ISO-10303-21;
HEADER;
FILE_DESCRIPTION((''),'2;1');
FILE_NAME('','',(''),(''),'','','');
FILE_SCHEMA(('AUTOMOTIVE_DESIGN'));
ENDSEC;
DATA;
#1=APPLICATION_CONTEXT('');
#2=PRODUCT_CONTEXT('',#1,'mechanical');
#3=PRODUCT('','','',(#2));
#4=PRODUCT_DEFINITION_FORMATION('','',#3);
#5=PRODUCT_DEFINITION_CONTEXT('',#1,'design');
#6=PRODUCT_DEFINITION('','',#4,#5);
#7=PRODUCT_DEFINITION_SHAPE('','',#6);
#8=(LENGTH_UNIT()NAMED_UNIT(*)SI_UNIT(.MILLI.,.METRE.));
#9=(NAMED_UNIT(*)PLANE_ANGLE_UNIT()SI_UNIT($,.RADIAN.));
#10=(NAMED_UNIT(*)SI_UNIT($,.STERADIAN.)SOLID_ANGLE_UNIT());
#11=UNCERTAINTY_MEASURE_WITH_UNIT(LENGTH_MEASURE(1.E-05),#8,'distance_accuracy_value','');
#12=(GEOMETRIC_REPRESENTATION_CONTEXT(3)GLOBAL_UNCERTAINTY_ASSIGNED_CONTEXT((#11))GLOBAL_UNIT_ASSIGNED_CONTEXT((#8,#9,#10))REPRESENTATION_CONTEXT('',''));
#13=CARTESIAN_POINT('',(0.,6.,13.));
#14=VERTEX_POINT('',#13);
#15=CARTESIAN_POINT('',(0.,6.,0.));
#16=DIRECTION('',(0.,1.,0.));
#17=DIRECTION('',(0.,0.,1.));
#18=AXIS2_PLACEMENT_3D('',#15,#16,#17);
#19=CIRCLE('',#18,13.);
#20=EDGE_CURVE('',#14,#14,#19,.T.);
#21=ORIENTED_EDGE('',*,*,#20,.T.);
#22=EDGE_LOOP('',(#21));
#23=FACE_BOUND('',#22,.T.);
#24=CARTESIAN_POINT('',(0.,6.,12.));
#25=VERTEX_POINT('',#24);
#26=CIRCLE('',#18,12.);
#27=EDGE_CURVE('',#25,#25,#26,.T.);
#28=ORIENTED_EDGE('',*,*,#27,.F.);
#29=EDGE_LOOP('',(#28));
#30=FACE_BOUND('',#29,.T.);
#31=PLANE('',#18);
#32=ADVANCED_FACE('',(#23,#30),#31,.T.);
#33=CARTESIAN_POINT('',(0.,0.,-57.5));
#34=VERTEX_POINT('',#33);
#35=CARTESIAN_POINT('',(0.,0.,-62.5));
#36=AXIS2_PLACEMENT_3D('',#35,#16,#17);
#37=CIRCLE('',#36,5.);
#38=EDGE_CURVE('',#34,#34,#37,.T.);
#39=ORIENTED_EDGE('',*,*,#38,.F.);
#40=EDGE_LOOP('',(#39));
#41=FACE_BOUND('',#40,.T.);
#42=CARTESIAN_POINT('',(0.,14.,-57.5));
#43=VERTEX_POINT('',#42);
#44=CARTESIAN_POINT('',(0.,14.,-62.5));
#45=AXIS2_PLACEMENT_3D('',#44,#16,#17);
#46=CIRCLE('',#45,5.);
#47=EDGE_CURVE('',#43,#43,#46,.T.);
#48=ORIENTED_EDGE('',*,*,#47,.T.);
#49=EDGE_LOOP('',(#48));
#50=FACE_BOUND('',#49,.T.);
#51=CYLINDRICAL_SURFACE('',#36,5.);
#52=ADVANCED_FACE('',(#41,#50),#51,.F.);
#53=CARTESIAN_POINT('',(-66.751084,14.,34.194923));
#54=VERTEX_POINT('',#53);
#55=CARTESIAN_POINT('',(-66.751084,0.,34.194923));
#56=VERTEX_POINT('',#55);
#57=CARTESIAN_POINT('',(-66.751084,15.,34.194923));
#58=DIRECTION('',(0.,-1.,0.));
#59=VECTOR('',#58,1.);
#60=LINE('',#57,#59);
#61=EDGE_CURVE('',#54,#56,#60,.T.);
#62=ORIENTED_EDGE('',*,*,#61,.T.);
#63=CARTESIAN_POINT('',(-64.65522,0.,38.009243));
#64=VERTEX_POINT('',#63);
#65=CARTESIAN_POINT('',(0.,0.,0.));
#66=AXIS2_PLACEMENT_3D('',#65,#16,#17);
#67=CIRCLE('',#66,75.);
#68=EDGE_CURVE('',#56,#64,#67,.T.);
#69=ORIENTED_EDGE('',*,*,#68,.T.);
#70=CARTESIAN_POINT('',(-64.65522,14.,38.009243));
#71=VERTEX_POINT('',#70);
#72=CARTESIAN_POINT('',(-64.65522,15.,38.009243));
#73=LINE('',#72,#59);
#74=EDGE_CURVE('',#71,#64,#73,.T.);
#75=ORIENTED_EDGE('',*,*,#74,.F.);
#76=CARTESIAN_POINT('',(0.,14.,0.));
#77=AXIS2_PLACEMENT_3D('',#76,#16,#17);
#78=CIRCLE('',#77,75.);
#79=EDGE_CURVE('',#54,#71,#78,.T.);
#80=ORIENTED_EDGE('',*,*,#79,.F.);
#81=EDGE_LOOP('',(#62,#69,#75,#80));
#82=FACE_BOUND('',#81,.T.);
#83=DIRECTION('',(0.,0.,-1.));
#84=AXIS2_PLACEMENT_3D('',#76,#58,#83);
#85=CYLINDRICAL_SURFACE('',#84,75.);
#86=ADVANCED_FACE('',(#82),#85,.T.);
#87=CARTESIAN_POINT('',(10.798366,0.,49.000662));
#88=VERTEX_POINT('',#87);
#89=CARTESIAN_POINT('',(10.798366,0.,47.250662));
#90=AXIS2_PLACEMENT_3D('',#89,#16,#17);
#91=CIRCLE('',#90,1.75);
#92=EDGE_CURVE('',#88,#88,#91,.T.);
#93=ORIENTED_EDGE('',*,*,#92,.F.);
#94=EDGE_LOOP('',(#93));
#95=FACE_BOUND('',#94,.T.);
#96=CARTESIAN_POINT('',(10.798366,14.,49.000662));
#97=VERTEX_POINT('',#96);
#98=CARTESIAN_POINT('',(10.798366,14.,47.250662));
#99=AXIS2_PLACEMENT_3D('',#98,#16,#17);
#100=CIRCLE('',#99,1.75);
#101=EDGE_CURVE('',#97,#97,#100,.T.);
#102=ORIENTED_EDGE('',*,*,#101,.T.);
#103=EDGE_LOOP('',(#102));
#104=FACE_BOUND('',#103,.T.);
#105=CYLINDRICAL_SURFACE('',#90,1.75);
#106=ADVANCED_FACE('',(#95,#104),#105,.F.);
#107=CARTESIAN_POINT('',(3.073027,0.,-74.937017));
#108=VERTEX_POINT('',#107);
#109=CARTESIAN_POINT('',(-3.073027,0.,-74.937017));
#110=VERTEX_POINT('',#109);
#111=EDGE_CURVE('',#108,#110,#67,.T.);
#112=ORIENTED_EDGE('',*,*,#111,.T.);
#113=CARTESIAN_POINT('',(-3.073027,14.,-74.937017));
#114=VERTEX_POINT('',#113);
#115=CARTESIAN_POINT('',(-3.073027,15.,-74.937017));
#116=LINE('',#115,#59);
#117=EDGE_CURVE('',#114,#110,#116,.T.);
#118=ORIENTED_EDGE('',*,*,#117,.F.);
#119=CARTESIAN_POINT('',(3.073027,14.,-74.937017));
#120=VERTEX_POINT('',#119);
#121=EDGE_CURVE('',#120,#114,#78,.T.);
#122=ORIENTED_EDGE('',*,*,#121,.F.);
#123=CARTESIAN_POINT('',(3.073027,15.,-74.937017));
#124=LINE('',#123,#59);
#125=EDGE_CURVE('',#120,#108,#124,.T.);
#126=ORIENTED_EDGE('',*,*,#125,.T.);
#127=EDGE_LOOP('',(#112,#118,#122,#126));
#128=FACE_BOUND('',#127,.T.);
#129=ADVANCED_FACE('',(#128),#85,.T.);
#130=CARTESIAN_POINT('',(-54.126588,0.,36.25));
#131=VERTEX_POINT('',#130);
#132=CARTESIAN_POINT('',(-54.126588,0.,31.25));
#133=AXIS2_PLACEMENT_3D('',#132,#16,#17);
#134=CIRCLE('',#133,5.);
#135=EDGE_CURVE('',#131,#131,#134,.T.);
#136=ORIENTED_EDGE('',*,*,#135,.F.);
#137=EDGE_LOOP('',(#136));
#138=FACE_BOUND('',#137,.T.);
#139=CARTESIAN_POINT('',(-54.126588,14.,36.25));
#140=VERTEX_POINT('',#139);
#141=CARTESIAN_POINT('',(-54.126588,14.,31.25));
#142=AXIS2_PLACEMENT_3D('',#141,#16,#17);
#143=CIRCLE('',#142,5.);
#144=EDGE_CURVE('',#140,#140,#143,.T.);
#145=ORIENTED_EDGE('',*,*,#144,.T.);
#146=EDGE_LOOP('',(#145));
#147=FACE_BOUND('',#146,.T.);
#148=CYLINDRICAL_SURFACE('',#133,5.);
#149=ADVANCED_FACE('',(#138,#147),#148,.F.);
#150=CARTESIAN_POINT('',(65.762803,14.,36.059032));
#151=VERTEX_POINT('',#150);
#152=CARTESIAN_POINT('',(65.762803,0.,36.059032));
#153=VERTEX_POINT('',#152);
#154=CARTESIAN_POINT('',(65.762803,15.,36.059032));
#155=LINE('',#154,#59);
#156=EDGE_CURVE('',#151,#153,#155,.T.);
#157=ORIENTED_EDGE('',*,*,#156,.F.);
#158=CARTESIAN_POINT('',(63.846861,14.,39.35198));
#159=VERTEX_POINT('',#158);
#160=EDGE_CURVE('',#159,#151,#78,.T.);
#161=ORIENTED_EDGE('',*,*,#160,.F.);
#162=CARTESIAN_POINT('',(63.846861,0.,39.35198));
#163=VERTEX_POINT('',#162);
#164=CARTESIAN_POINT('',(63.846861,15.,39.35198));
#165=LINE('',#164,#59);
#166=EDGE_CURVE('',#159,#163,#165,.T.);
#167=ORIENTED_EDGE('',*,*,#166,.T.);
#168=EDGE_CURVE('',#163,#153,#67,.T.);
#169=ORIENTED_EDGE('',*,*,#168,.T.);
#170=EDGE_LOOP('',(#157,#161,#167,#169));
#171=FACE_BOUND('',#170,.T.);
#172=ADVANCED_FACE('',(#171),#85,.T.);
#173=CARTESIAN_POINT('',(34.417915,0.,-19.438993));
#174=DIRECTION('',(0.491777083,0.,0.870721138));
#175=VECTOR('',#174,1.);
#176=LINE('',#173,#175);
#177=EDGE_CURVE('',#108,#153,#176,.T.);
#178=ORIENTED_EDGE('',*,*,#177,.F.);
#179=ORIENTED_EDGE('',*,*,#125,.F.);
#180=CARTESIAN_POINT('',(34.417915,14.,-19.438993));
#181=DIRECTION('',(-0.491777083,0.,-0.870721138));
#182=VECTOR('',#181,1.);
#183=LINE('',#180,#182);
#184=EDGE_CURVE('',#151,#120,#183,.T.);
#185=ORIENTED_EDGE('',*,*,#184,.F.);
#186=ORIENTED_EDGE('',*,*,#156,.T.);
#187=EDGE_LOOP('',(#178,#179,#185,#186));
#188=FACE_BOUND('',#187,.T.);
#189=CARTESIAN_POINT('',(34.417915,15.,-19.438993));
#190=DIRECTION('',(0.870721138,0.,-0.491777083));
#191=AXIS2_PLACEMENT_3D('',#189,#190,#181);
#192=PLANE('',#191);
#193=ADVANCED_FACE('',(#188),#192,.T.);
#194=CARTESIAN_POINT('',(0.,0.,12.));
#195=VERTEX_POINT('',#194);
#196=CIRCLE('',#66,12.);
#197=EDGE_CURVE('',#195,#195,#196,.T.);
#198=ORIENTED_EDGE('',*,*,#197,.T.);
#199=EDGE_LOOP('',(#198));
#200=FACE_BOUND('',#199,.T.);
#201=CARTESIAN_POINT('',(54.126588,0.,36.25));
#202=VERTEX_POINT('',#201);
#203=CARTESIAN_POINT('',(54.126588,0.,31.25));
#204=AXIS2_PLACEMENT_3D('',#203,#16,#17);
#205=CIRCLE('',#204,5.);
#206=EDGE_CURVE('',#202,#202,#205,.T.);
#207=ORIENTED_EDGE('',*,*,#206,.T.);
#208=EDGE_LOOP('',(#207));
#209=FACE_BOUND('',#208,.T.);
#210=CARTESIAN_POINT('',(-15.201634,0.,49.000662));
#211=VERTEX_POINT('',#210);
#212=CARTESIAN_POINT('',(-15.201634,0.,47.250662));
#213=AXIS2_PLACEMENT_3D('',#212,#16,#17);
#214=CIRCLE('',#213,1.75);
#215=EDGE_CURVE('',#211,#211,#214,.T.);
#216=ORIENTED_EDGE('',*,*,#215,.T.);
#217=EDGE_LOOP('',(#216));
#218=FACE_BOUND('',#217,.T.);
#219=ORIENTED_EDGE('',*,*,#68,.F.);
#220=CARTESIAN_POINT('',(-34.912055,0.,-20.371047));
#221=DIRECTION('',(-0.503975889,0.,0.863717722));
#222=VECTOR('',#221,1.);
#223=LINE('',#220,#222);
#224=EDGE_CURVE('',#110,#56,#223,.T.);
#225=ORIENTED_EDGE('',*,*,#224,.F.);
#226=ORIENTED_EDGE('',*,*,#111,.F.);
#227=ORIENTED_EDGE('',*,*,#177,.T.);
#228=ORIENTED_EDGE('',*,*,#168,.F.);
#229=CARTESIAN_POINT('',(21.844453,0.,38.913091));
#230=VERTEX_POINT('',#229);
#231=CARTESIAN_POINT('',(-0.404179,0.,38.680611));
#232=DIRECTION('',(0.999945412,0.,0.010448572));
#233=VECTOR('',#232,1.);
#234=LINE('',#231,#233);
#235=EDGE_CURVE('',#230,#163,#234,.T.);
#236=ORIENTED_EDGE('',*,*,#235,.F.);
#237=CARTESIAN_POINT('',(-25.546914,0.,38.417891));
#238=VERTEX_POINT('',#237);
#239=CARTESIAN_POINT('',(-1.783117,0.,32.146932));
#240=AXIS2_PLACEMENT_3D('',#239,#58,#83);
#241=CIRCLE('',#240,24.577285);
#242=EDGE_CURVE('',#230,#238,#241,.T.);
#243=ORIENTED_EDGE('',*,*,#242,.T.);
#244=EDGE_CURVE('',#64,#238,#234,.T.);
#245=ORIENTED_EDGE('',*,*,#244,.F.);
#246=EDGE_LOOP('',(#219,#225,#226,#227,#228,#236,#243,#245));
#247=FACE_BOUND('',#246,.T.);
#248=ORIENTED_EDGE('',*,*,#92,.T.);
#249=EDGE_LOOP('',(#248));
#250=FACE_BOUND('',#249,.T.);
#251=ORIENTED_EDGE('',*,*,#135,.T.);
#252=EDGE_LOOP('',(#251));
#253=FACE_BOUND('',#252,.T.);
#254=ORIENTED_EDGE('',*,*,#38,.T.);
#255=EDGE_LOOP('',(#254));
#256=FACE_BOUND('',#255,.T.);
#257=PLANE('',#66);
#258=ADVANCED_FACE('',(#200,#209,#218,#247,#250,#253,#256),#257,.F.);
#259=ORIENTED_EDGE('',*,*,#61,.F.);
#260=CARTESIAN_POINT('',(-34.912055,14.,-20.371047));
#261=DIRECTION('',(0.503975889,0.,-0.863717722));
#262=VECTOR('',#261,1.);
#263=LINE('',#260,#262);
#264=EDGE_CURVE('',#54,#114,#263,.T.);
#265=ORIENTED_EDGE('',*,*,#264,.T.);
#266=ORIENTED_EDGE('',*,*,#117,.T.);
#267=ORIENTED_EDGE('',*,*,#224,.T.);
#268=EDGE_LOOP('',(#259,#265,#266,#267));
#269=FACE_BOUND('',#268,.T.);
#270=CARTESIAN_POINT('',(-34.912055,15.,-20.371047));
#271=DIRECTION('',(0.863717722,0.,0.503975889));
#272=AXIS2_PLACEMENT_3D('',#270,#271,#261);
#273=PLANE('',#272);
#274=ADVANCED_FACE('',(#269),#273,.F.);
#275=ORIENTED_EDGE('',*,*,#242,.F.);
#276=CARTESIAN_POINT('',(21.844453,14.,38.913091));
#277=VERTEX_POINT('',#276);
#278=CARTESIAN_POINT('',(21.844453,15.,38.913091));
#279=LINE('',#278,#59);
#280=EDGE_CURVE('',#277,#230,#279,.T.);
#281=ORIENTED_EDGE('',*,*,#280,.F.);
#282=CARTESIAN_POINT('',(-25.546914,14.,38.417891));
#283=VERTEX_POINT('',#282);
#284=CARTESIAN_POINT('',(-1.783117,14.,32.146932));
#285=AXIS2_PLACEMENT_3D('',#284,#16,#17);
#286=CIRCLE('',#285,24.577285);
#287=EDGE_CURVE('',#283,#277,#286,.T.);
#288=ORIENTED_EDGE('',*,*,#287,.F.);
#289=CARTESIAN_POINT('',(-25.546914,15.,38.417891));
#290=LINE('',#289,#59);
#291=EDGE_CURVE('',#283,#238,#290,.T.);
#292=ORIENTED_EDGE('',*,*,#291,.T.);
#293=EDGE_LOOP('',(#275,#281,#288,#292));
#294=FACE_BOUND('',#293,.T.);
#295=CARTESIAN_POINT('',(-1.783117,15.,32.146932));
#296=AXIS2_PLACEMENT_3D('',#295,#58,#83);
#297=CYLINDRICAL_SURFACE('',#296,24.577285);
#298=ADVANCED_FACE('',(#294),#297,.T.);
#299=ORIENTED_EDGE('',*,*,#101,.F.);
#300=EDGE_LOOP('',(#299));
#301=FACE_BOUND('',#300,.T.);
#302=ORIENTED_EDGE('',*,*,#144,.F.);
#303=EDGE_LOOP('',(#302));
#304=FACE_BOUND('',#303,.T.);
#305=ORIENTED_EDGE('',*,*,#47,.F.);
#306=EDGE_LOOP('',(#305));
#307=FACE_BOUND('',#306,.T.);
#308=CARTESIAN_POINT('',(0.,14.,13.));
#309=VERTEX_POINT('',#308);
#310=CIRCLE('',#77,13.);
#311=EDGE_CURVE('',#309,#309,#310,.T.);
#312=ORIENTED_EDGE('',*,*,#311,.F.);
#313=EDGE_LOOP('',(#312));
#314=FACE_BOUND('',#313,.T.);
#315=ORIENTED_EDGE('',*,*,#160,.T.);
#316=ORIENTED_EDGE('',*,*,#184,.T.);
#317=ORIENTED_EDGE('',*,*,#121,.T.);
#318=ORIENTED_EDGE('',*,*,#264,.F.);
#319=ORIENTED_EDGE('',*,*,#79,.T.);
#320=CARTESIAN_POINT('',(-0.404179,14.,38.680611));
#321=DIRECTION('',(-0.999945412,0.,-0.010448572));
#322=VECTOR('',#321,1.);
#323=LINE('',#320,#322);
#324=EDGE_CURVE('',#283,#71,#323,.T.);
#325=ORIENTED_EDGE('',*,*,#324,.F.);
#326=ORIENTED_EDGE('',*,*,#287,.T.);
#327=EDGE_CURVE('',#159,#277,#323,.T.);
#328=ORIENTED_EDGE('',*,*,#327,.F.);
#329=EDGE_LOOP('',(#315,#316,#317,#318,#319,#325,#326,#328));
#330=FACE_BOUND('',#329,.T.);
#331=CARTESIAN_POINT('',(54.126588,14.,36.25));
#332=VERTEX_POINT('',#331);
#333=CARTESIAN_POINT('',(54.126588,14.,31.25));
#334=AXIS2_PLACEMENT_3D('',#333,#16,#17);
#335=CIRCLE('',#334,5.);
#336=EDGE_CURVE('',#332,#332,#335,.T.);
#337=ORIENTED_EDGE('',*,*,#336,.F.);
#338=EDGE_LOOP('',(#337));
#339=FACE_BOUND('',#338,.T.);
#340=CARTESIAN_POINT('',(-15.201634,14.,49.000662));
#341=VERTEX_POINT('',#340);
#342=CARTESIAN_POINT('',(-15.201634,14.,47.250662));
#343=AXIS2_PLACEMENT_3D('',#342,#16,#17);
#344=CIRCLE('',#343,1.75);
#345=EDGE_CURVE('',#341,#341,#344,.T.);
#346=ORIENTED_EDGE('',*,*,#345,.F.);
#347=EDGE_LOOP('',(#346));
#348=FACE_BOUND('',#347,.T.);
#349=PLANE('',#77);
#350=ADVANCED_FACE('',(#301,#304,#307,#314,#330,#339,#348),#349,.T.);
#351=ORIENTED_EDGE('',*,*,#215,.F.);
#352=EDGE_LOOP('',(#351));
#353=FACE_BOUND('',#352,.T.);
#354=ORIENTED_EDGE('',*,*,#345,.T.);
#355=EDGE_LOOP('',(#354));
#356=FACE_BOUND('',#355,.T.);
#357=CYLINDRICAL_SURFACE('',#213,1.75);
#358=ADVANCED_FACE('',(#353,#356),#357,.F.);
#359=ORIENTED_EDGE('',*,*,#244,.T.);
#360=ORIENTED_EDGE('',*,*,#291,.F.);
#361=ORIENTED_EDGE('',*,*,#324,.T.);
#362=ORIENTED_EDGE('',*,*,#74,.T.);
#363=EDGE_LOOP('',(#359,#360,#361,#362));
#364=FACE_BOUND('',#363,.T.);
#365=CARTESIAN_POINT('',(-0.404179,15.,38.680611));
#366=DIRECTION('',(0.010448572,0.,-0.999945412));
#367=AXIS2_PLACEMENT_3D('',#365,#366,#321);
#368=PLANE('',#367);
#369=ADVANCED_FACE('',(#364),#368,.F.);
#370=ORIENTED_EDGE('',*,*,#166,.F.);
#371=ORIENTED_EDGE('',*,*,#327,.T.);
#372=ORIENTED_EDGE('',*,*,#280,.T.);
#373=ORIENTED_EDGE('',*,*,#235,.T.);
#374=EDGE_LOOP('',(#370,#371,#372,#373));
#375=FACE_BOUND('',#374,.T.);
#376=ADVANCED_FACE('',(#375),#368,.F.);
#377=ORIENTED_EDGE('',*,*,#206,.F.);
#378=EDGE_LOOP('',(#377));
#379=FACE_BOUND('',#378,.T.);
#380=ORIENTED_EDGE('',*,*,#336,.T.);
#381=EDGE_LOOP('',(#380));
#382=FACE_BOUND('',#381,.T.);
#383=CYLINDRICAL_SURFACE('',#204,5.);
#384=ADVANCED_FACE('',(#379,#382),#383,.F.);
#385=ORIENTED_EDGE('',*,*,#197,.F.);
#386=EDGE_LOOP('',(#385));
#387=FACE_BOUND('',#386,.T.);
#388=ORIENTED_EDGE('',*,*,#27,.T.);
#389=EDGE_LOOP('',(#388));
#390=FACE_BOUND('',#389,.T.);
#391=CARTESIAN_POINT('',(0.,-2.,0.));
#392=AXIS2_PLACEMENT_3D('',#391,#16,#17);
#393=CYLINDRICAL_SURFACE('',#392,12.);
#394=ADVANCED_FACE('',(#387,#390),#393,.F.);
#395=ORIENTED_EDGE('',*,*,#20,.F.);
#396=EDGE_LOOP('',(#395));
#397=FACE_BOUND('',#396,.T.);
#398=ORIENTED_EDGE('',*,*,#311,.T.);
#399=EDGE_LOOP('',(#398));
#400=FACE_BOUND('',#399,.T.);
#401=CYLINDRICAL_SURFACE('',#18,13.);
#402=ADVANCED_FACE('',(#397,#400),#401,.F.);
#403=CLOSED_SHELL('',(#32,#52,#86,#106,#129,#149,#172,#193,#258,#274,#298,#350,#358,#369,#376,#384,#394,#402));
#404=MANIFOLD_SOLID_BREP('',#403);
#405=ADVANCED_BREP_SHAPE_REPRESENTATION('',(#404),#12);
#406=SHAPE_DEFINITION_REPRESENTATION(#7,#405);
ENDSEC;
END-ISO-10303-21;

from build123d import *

# Parameters (mm, degrees)
SKETCH1_R           = 75
BOSS_EXTRUDE1_DEPTH = 14
SKETCH2_R           = 13
CUT_EXTRUDE1_DEPTH  = 8
SKETCH3_R           = 12
CUT_EXTRUDE2_DEPTH  = 8
SKETCH4_R           = 5
CUT_EXTRUDE4_DEPTH  = 107.98598039
SKETCH5_R           = 1.75
CUT_EXTRUDE5_DEPTH  = 107.98598039
CUT_EXTRUDE6_DEPTH  = 15


with BuildPart() as part:
    # Sketch1 → Boss-Extrude1 (new body)
    with BuildSketch(Plane(origin=(0, 0, 0), x_dir=(1, 0, 0), z_dir=(0, 1, 0))):
        with Locations(Location((0, 0, 0), (0, 0, 270))):
            Circle(SKETCH1_R)
    extrude(amount=BOSS_EXTRUDE1_DEPTH)

    # Sketch2 → Cut-Extrude1 (cut)
    with BuildSketch(Plane(origin=(0, 14, 0), x_dir=(1, 0, 0), z_dir=(0, 1, 0))):
        with Locations(Location((0, 0, 0), (0, 0, 270))):
            Circle(SKETCH2_R)
    extrude(amount=-CUT_EXTRUDE1_DEPTH, mode=Mode.SUBTRACT)

    # Sketch3 → Cut-Extrude2 (cut)
    with BuildSketch(Plane(origin=(0, 6, 0), x_dir=(1, 0, 0), z_dir=(0, 1, 0))):
        with Locations(Location((0, 0, 0), (0, 0, 270))):
            Circle(SKETCH3_R)
    extrude(amount=-CUT_EXTRUDE2_DEPTH, mode=Mode.SUBTRACT)

    # Sketch4 → Cut-Extrude4 (cut, through all)
    with BuildSketch(Plane(origin=(0, 14, 0), x_dir=(1, 0, 0), z_dir=(0, 1, 0))):
        with Locations(Location((0, 62.5, 0), (0, 0, 270))):
            Circle(SKETCH4_R)
        with Locations(Location((-54.126587737, -31.25, 0), (0, 0, 270))):
            Circle(SKETCH4_R)
        with Locations(Location((54.126587737, -31.25, 0), (0, 0, 270))):
            Circle(SKETCH4_R)
    extrude(amount=-CUT_EXTRUDE4_DEPTH, mode=Mode.SUBTRACT)

    # Sketch5 → Cut-Extrude5 (cut, through all)
    with BuildSketch(Plane(origin=(0, 14, 0), x_dir=(1, 0, 0), z_dir=(0, 1, 0))):
        with Locations(Location((-15.201634245, -47.250661584, 0), (0, 0, 270))):
            Circle(SKETCH5_R)
        with Locations(Location((10.798365755, -47.250661584, 0), (0, 0, 270))):
            Circle(SKETCH5_R)
    extrude(amount=-CUT_EXTRUDE5_DEPTH, mode=Mode.SUBTRACT)

    # Sketch6 → Cut-Extrude6 (cut)
    with BuildSketch(Plane(origin=(0, 0, 0), x_dir=(-1, 0, 0), z_dir=(0, -1, 0))):
        with BuildLine():
            ThreePointArc((75, 0), (54.10858072, 51.935166241), (3.073026868, 74.937016927))
            Line((3.073026868, 74.937016927), (66.751084117, -34.194923151))
            ThreePointArc((66.751084117, -34.194923151), (72.908611661, -17.587903389), (75, 0))
        make_face()
        with BuildLine():
            Line((-65.762802754, -36.059031794), (-3.073026868, 74.937016927))
            ThreePointArc((-3.073026868, 74.937016927), (-65.304085384, 36.883281201), (-65.762802754, -36.059031794))
        make_face()
        with BuildLine():
            ThreePointArc((-63.846861253, -39.351979723), (0.783642911, -74.995905914), (64.655219699, -38.009243162))
            Line((64.655219699, -38.009243162), (25.54691352, -38.417891428))
            ThreePointArc((25.54691352, -38.417891428), (2.039914544, -56.722875597), (-21.844452804, -38.91309057))
            Line((-21.844452804, -38.91309057), (-63.846861253, -39.351979723))
        make_face()
    extrude(amount=-CUT_EXTRUDE6_DEPTH, mode=Mode.SUBTRACT)


solid = part.part
